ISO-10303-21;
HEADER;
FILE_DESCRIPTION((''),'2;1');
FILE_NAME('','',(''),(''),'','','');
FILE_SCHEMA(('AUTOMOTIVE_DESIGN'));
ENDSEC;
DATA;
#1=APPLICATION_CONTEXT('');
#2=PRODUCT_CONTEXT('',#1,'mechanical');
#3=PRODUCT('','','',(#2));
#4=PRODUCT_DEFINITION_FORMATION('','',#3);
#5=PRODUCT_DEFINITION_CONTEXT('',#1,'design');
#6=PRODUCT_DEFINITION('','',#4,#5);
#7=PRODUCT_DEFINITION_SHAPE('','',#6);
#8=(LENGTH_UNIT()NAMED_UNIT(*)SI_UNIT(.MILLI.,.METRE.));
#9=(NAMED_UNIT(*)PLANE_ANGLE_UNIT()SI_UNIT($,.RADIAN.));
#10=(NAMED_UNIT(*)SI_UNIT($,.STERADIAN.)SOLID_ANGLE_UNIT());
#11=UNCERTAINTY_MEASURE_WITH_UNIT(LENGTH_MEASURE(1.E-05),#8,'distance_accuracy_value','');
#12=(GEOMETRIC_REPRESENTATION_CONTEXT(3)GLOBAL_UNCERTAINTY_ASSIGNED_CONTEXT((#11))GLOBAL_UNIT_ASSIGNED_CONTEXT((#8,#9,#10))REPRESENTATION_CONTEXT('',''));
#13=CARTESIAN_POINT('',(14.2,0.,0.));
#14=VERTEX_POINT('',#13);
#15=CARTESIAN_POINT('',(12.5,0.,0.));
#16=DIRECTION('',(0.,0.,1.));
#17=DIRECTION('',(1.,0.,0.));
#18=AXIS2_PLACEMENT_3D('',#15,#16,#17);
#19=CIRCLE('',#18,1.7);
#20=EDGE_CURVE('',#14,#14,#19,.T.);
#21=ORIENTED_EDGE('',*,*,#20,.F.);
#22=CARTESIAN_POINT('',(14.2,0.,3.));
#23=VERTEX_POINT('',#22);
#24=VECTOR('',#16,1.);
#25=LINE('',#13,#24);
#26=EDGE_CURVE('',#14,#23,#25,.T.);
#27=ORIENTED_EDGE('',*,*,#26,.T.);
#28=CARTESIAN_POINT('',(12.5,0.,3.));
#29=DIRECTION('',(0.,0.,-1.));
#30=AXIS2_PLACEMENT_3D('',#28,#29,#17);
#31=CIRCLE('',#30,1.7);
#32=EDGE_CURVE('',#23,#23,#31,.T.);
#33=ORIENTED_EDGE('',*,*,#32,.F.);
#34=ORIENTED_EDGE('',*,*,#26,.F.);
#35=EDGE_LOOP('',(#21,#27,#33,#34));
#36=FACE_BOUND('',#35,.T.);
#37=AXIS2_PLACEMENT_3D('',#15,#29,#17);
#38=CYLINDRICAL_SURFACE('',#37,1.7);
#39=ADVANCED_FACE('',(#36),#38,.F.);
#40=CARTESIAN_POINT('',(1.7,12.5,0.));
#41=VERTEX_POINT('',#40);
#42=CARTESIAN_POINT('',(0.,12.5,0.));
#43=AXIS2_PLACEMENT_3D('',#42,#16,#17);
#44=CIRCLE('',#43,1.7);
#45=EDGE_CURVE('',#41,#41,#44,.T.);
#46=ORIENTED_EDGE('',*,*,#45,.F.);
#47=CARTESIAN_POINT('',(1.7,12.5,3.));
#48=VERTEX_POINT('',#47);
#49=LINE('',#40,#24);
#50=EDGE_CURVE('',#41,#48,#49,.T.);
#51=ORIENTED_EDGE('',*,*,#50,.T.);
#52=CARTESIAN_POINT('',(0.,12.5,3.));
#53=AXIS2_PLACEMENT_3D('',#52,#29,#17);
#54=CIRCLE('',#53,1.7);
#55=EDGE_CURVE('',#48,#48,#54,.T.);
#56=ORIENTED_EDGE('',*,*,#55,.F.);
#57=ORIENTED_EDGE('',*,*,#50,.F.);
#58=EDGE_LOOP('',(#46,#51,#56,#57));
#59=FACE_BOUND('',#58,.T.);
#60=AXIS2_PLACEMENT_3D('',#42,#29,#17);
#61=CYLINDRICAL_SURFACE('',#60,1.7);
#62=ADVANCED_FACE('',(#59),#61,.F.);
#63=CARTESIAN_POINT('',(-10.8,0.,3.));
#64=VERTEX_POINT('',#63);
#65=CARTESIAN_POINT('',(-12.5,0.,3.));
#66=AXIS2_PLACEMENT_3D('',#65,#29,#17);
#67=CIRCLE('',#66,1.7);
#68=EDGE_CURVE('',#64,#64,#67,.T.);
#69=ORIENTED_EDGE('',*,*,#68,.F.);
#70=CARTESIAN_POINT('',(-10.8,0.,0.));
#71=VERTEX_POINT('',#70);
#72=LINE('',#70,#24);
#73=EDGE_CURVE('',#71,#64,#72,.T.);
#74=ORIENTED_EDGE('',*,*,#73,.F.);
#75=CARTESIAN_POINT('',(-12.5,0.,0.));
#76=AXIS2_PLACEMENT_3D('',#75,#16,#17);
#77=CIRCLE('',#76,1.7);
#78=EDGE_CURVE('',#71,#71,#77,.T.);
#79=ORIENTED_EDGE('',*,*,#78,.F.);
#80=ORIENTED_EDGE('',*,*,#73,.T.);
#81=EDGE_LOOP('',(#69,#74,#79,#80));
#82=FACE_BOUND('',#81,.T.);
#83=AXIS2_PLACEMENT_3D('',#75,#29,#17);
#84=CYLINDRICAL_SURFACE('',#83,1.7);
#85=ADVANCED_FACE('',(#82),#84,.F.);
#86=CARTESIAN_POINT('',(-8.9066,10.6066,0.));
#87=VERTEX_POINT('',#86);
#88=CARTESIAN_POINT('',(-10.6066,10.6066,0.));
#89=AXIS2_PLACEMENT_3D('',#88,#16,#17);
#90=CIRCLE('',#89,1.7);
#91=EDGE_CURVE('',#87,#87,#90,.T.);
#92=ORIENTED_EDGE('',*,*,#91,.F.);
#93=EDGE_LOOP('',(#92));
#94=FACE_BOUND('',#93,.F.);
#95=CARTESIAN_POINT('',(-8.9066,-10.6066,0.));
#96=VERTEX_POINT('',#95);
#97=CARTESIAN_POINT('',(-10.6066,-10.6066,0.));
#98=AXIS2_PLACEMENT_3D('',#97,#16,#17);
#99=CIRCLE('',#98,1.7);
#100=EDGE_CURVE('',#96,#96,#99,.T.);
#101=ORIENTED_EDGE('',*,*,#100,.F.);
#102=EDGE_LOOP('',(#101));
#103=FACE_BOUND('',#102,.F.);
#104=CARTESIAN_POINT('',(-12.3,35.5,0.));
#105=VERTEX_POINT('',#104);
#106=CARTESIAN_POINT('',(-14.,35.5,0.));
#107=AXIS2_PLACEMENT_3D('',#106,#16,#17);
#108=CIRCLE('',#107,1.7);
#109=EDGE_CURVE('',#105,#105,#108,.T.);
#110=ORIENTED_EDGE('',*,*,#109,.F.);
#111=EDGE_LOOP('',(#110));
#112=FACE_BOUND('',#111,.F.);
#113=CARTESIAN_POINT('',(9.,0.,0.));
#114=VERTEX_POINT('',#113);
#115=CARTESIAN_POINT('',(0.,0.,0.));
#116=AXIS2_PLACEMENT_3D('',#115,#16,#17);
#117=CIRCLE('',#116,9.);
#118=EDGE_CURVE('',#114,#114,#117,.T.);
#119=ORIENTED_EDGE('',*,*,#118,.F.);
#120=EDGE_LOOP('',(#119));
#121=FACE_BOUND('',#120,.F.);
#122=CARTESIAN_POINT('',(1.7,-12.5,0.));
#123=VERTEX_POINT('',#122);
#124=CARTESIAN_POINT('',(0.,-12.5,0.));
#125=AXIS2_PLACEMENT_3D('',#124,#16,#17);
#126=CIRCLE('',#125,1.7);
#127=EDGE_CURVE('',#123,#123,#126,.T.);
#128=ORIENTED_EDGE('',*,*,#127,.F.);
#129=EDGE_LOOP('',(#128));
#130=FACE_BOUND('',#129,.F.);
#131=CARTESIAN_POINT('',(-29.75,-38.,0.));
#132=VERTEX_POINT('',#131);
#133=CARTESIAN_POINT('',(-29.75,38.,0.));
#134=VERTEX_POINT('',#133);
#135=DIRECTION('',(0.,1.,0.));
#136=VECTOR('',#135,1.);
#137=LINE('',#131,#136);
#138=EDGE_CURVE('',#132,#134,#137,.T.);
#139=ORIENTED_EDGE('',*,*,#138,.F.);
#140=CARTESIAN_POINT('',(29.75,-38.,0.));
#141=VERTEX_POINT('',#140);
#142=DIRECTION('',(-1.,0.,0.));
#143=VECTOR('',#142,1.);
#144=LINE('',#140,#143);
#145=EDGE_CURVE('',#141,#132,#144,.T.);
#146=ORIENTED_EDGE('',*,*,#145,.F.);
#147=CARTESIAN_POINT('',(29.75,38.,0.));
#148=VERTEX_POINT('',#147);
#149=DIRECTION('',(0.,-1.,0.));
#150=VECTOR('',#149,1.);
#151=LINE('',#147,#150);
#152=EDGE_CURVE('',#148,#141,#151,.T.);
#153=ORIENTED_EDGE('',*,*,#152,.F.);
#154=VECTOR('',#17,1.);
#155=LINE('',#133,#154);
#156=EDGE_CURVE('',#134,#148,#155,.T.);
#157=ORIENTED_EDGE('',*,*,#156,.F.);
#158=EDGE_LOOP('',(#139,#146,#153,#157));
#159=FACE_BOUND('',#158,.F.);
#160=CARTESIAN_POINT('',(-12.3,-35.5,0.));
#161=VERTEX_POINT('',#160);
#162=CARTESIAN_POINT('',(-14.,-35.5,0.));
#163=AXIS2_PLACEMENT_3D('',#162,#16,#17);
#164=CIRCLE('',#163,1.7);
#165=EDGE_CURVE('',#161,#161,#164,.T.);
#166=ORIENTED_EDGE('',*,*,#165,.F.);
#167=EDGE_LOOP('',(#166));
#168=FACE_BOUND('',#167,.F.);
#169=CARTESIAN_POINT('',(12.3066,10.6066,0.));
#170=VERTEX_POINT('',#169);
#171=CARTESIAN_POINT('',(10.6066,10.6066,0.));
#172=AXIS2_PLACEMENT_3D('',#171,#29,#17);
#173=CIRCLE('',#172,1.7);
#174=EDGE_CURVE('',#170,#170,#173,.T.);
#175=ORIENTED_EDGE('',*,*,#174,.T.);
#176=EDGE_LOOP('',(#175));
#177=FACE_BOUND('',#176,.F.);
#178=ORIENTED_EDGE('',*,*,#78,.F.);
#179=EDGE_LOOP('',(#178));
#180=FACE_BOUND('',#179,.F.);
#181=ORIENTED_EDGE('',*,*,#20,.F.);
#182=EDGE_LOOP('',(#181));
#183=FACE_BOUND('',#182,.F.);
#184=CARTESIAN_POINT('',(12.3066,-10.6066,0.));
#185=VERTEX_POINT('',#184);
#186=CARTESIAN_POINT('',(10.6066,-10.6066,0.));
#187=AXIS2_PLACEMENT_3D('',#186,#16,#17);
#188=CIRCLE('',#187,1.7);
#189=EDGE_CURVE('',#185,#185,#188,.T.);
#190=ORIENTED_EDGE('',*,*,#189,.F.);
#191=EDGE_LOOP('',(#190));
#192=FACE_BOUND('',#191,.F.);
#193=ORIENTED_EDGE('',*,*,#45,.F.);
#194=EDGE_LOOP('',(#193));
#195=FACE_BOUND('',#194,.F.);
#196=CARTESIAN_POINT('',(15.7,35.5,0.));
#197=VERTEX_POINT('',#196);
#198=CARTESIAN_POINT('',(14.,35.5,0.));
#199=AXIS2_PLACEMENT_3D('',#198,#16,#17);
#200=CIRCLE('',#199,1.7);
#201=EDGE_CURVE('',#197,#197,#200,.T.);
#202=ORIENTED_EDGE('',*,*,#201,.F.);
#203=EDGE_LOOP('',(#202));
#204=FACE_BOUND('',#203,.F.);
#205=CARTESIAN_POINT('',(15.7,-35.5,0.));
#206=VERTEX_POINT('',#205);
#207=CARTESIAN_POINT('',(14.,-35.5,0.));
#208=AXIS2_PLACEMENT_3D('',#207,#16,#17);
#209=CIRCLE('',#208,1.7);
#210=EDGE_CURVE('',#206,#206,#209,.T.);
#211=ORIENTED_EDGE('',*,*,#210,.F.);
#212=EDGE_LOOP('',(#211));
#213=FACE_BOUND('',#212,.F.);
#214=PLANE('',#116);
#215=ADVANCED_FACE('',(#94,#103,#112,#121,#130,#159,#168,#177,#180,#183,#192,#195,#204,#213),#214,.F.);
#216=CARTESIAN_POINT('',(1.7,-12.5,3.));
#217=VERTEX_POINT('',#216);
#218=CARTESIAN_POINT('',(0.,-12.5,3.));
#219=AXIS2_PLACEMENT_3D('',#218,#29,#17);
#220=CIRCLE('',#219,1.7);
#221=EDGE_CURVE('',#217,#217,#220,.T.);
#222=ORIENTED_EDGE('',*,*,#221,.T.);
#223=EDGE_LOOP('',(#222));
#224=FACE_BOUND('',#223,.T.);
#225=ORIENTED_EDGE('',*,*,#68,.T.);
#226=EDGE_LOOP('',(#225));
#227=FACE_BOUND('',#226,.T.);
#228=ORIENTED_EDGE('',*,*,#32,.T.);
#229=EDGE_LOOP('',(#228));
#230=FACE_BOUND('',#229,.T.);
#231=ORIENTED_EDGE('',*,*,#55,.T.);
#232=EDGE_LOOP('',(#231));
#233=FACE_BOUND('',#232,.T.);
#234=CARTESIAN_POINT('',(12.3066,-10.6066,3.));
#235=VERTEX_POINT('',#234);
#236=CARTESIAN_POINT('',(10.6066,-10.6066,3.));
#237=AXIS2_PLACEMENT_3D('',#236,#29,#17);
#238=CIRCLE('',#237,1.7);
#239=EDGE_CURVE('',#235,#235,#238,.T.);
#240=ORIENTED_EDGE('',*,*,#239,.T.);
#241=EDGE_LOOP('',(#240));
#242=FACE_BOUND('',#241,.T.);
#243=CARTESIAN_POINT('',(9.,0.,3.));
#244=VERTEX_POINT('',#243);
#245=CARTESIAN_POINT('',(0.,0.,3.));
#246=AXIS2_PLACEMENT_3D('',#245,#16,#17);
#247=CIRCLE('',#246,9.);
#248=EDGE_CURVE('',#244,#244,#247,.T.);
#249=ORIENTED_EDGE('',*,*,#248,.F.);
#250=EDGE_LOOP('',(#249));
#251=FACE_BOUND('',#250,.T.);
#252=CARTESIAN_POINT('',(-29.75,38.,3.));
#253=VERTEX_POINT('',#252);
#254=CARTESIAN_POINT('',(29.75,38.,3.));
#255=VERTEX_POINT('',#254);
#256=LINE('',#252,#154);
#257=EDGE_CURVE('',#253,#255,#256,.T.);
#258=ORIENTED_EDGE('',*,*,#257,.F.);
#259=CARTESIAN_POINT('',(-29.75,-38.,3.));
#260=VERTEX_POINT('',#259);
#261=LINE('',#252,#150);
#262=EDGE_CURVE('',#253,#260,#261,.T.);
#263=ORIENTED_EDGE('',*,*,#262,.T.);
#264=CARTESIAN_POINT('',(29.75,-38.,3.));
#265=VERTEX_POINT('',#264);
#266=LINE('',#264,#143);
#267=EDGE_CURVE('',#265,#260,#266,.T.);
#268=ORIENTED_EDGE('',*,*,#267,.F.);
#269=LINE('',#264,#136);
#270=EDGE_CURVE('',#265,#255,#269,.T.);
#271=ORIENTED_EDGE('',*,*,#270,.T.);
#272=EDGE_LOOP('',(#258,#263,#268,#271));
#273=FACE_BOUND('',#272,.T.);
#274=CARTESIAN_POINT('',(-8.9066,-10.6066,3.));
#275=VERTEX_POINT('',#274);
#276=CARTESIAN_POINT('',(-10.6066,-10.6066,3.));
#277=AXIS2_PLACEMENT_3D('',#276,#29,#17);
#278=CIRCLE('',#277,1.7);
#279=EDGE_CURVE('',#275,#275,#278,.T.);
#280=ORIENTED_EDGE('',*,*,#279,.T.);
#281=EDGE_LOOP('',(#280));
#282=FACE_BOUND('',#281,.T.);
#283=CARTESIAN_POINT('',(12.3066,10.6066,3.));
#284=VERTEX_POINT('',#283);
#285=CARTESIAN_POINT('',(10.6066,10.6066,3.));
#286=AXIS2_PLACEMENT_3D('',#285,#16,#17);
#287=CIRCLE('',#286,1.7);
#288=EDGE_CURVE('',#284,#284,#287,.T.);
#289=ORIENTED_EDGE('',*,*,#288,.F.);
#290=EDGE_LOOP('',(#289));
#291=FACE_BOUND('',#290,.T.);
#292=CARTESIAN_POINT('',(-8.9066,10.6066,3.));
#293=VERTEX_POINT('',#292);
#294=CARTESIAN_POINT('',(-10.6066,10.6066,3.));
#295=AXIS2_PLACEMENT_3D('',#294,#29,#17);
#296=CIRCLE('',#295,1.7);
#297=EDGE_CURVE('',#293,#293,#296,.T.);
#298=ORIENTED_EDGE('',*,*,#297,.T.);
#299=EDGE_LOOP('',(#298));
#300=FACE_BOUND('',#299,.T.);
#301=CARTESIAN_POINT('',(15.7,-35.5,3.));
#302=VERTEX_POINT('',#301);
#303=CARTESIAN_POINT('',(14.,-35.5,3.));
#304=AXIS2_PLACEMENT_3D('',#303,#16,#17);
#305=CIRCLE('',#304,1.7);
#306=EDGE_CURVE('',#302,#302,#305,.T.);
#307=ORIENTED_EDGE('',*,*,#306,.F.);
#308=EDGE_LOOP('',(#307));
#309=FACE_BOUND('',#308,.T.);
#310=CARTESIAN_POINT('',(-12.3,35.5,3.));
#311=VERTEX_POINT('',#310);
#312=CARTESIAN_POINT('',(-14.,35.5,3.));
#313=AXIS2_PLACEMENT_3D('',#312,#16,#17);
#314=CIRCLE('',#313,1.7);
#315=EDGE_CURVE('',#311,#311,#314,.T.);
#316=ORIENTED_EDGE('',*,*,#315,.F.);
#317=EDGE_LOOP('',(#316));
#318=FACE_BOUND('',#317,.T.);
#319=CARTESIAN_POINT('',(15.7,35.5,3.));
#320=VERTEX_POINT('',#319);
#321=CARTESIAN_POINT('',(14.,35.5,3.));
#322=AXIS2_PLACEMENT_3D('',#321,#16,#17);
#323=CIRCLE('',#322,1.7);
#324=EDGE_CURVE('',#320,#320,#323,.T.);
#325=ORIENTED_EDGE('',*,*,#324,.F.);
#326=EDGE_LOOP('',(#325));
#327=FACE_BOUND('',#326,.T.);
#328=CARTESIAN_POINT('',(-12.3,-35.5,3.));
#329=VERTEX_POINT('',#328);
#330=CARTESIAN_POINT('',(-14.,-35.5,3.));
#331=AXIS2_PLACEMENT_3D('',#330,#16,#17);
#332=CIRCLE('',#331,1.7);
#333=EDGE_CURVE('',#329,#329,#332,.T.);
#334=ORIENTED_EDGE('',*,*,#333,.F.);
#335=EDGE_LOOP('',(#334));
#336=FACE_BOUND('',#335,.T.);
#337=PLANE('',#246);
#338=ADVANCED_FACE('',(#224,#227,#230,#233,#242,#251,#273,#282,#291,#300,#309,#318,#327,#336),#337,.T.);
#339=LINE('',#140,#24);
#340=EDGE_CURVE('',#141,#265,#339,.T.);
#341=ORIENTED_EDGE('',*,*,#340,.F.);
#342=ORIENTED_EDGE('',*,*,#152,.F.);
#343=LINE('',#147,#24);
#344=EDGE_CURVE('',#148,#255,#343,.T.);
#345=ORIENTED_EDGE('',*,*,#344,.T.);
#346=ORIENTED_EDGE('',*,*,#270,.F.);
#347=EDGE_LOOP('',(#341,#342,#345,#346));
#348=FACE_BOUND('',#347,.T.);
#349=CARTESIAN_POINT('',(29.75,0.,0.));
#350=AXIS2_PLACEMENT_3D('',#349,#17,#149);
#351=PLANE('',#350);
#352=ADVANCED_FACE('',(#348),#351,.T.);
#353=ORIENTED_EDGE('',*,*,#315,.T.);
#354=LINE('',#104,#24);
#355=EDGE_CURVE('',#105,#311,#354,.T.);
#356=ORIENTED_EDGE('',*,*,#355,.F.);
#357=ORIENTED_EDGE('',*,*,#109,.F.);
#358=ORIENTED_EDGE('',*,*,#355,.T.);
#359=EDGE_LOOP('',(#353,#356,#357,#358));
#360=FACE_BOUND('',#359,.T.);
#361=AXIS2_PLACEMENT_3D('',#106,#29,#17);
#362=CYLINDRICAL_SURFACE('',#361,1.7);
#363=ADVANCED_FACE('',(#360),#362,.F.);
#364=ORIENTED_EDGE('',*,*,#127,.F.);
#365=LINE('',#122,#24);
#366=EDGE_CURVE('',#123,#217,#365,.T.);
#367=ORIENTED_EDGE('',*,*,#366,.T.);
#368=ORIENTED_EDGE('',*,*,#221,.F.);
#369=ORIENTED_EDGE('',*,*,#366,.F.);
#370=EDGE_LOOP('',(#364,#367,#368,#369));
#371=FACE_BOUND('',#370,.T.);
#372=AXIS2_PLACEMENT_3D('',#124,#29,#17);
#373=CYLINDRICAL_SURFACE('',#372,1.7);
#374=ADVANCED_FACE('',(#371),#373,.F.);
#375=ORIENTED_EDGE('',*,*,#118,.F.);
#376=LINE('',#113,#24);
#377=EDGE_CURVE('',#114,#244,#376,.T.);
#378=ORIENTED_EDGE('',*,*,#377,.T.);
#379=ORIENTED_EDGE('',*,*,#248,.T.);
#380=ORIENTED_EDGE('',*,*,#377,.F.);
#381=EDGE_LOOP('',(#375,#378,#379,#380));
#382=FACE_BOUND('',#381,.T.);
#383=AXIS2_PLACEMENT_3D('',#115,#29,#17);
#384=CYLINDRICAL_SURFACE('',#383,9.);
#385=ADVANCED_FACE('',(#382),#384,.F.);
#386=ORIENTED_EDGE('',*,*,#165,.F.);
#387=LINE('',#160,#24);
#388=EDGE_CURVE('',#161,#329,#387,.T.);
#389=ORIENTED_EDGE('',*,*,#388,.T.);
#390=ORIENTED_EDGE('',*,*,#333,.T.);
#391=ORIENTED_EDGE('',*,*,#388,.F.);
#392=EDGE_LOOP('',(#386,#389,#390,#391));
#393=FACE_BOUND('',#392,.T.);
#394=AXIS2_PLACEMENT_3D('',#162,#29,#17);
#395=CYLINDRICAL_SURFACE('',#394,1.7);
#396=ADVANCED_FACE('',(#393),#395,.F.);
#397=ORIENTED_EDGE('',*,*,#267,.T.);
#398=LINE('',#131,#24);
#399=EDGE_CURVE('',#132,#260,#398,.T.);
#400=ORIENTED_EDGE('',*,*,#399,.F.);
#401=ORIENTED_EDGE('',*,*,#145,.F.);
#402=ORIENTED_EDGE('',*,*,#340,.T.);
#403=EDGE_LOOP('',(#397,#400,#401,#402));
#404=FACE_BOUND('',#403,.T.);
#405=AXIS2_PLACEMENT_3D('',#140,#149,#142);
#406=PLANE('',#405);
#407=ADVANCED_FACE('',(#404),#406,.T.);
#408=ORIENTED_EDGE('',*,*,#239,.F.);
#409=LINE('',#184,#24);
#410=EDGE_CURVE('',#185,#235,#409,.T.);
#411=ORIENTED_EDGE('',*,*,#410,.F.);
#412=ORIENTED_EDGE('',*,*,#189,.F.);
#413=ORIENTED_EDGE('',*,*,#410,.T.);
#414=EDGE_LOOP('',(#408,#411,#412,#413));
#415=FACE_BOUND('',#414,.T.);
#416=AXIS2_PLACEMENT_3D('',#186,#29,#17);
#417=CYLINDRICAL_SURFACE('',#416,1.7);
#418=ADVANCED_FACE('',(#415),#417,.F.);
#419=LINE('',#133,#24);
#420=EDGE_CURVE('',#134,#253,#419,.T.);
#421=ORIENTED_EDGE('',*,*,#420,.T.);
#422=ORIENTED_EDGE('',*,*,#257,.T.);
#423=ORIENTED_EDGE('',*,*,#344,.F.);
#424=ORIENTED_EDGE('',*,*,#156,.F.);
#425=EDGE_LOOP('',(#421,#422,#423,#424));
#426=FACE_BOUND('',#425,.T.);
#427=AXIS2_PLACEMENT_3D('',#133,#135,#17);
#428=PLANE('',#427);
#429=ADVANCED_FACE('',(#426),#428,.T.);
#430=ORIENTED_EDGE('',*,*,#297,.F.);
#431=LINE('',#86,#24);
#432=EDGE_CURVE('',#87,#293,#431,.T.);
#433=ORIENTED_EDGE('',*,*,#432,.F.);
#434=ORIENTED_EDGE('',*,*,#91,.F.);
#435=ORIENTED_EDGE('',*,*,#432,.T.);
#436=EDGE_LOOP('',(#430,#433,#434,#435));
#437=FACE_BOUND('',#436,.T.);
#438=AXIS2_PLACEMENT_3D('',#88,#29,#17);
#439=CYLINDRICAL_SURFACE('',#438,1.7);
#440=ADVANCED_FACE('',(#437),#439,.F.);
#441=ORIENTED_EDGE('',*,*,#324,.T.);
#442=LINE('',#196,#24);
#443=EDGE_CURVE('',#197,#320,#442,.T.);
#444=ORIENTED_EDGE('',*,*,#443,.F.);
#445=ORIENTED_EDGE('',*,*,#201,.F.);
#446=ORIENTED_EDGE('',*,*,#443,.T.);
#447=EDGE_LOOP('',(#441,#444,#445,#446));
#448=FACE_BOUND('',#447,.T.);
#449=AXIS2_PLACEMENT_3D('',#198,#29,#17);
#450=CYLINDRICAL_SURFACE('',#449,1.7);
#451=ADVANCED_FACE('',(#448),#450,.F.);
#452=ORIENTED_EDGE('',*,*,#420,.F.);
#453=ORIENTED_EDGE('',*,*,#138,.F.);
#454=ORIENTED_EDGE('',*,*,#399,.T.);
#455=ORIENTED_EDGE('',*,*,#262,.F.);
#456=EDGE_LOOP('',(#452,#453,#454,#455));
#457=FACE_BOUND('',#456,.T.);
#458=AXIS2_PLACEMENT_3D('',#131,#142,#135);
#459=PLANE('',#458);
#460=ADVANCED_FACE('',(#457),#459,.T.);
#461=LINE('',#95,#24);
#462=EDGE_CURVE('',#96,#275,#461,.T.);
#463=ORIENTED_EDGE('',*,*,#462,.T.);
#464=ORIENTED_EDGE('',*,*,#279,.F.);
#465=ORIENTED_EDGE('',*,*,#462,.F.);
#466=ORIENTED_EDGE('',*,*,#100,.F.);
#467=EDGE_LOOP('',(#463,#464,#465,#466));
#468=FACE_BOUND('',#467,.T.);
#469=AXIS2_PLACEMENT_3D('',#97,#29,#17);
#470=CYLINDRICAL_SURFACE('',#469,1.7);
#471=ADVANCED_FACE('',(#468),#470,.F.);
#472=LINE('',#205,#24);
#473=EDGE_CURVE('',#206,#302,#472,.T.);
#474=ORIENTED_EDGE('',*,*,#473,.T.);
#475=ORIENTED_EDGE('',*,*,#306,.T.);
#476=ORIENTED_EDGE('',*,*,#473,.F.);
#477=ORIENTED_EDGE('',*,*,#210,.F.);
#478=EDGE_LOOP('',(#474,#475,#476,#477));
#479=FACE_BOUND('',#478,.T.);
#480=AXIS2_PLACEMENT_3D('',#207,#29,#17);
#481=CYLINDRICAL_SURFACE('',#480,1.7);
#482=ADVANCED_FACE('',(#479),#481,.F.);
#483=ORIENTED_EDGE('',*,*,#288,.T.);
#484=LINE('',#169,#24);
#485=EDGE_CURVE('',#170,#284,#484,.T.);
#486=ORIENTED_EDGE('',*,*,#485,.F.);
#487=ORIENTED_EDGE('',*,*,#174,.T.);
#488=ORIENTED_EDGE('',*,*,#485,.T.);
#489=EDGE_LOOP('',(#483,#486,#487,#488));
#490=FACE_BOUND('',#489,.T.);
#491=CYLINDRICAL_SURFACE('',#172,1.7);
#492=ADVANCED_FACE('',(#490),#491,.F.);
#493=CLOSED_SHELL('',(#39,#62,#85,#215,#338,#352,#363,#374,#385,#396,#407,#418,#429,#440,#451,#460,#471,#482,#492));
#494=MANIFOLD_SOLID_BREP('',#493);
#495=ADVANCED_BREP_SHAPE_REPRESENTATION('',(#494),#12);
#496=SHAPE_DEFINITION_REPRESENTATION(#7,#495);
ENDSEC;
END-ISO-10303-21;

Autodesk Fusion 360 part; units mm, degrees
sketch "Sketch1" plane through (0, 0, 0) normal (0, 0, 1) x (1, 0, 0)
  circle A0 centre (0, 0) radius 29.75
  circle A1 centre (0, 0) radius 12.5
  circle A2 centre (0, 0) radius 15
  circle A3 centre (0, 12.5) radius 1.7
  circle A4 centre (-10.6066, 10.6066) radius 1.7
  circle A5 centre (-10.6066, -10.6066) radius 1.7
  circle A6 centre (-12.5, 0) radius 1.7
  circle A7 centre (10.6066, -10.6066) radius 1.7
  circle A8 centre (0, -12.5) radius 1.7
  circle A9 centre (10.6066, 10.6066) radius 1.7
  circle A10 centre (12.5, 0) radius 1.7
  circle A11 centre (-14, 35.5) radius 1.7
  circle A12 centre (14, 35.5) radius 1.7
  circle A13 centre (14, -35.5) radius 1.7
  circle A14 centre (-14, -35.5) radius 1.7
  line L0 (-29.75, 38) -> (29.75, 38)
  line L1 (29.75, 38) -> (29.75, -38)
  line L2 (29.75, -38) -> (-29.75, -38)
  line L3 (-29.75, -38) -> (-29.75, 38)
  circle A15 centre (0, 0) radius 9
  dimension "d1" = 59.5
  dimension "d2" = 25
  dimension "d3" = 30
  dimension "d5" = 3.4
  dimension "d10" = 360
  dimension "d13" = 3.4
  dimension "d14" = 3.4
  dimension "d15" = 3.4
  dimension "d16" = 3.4
  dimension "d17" = 59.5
  dimension "d18" = 76
  dimension "d19" = 18
extrude "Extrude1" add sketch "Sketch1" along normal blind 3 contours A0 | A0 L1 L2 L3 | A0 L0 L1 L3 | A1 A3 A6 A8 A10 | A2 A4 A5 A7 A9
